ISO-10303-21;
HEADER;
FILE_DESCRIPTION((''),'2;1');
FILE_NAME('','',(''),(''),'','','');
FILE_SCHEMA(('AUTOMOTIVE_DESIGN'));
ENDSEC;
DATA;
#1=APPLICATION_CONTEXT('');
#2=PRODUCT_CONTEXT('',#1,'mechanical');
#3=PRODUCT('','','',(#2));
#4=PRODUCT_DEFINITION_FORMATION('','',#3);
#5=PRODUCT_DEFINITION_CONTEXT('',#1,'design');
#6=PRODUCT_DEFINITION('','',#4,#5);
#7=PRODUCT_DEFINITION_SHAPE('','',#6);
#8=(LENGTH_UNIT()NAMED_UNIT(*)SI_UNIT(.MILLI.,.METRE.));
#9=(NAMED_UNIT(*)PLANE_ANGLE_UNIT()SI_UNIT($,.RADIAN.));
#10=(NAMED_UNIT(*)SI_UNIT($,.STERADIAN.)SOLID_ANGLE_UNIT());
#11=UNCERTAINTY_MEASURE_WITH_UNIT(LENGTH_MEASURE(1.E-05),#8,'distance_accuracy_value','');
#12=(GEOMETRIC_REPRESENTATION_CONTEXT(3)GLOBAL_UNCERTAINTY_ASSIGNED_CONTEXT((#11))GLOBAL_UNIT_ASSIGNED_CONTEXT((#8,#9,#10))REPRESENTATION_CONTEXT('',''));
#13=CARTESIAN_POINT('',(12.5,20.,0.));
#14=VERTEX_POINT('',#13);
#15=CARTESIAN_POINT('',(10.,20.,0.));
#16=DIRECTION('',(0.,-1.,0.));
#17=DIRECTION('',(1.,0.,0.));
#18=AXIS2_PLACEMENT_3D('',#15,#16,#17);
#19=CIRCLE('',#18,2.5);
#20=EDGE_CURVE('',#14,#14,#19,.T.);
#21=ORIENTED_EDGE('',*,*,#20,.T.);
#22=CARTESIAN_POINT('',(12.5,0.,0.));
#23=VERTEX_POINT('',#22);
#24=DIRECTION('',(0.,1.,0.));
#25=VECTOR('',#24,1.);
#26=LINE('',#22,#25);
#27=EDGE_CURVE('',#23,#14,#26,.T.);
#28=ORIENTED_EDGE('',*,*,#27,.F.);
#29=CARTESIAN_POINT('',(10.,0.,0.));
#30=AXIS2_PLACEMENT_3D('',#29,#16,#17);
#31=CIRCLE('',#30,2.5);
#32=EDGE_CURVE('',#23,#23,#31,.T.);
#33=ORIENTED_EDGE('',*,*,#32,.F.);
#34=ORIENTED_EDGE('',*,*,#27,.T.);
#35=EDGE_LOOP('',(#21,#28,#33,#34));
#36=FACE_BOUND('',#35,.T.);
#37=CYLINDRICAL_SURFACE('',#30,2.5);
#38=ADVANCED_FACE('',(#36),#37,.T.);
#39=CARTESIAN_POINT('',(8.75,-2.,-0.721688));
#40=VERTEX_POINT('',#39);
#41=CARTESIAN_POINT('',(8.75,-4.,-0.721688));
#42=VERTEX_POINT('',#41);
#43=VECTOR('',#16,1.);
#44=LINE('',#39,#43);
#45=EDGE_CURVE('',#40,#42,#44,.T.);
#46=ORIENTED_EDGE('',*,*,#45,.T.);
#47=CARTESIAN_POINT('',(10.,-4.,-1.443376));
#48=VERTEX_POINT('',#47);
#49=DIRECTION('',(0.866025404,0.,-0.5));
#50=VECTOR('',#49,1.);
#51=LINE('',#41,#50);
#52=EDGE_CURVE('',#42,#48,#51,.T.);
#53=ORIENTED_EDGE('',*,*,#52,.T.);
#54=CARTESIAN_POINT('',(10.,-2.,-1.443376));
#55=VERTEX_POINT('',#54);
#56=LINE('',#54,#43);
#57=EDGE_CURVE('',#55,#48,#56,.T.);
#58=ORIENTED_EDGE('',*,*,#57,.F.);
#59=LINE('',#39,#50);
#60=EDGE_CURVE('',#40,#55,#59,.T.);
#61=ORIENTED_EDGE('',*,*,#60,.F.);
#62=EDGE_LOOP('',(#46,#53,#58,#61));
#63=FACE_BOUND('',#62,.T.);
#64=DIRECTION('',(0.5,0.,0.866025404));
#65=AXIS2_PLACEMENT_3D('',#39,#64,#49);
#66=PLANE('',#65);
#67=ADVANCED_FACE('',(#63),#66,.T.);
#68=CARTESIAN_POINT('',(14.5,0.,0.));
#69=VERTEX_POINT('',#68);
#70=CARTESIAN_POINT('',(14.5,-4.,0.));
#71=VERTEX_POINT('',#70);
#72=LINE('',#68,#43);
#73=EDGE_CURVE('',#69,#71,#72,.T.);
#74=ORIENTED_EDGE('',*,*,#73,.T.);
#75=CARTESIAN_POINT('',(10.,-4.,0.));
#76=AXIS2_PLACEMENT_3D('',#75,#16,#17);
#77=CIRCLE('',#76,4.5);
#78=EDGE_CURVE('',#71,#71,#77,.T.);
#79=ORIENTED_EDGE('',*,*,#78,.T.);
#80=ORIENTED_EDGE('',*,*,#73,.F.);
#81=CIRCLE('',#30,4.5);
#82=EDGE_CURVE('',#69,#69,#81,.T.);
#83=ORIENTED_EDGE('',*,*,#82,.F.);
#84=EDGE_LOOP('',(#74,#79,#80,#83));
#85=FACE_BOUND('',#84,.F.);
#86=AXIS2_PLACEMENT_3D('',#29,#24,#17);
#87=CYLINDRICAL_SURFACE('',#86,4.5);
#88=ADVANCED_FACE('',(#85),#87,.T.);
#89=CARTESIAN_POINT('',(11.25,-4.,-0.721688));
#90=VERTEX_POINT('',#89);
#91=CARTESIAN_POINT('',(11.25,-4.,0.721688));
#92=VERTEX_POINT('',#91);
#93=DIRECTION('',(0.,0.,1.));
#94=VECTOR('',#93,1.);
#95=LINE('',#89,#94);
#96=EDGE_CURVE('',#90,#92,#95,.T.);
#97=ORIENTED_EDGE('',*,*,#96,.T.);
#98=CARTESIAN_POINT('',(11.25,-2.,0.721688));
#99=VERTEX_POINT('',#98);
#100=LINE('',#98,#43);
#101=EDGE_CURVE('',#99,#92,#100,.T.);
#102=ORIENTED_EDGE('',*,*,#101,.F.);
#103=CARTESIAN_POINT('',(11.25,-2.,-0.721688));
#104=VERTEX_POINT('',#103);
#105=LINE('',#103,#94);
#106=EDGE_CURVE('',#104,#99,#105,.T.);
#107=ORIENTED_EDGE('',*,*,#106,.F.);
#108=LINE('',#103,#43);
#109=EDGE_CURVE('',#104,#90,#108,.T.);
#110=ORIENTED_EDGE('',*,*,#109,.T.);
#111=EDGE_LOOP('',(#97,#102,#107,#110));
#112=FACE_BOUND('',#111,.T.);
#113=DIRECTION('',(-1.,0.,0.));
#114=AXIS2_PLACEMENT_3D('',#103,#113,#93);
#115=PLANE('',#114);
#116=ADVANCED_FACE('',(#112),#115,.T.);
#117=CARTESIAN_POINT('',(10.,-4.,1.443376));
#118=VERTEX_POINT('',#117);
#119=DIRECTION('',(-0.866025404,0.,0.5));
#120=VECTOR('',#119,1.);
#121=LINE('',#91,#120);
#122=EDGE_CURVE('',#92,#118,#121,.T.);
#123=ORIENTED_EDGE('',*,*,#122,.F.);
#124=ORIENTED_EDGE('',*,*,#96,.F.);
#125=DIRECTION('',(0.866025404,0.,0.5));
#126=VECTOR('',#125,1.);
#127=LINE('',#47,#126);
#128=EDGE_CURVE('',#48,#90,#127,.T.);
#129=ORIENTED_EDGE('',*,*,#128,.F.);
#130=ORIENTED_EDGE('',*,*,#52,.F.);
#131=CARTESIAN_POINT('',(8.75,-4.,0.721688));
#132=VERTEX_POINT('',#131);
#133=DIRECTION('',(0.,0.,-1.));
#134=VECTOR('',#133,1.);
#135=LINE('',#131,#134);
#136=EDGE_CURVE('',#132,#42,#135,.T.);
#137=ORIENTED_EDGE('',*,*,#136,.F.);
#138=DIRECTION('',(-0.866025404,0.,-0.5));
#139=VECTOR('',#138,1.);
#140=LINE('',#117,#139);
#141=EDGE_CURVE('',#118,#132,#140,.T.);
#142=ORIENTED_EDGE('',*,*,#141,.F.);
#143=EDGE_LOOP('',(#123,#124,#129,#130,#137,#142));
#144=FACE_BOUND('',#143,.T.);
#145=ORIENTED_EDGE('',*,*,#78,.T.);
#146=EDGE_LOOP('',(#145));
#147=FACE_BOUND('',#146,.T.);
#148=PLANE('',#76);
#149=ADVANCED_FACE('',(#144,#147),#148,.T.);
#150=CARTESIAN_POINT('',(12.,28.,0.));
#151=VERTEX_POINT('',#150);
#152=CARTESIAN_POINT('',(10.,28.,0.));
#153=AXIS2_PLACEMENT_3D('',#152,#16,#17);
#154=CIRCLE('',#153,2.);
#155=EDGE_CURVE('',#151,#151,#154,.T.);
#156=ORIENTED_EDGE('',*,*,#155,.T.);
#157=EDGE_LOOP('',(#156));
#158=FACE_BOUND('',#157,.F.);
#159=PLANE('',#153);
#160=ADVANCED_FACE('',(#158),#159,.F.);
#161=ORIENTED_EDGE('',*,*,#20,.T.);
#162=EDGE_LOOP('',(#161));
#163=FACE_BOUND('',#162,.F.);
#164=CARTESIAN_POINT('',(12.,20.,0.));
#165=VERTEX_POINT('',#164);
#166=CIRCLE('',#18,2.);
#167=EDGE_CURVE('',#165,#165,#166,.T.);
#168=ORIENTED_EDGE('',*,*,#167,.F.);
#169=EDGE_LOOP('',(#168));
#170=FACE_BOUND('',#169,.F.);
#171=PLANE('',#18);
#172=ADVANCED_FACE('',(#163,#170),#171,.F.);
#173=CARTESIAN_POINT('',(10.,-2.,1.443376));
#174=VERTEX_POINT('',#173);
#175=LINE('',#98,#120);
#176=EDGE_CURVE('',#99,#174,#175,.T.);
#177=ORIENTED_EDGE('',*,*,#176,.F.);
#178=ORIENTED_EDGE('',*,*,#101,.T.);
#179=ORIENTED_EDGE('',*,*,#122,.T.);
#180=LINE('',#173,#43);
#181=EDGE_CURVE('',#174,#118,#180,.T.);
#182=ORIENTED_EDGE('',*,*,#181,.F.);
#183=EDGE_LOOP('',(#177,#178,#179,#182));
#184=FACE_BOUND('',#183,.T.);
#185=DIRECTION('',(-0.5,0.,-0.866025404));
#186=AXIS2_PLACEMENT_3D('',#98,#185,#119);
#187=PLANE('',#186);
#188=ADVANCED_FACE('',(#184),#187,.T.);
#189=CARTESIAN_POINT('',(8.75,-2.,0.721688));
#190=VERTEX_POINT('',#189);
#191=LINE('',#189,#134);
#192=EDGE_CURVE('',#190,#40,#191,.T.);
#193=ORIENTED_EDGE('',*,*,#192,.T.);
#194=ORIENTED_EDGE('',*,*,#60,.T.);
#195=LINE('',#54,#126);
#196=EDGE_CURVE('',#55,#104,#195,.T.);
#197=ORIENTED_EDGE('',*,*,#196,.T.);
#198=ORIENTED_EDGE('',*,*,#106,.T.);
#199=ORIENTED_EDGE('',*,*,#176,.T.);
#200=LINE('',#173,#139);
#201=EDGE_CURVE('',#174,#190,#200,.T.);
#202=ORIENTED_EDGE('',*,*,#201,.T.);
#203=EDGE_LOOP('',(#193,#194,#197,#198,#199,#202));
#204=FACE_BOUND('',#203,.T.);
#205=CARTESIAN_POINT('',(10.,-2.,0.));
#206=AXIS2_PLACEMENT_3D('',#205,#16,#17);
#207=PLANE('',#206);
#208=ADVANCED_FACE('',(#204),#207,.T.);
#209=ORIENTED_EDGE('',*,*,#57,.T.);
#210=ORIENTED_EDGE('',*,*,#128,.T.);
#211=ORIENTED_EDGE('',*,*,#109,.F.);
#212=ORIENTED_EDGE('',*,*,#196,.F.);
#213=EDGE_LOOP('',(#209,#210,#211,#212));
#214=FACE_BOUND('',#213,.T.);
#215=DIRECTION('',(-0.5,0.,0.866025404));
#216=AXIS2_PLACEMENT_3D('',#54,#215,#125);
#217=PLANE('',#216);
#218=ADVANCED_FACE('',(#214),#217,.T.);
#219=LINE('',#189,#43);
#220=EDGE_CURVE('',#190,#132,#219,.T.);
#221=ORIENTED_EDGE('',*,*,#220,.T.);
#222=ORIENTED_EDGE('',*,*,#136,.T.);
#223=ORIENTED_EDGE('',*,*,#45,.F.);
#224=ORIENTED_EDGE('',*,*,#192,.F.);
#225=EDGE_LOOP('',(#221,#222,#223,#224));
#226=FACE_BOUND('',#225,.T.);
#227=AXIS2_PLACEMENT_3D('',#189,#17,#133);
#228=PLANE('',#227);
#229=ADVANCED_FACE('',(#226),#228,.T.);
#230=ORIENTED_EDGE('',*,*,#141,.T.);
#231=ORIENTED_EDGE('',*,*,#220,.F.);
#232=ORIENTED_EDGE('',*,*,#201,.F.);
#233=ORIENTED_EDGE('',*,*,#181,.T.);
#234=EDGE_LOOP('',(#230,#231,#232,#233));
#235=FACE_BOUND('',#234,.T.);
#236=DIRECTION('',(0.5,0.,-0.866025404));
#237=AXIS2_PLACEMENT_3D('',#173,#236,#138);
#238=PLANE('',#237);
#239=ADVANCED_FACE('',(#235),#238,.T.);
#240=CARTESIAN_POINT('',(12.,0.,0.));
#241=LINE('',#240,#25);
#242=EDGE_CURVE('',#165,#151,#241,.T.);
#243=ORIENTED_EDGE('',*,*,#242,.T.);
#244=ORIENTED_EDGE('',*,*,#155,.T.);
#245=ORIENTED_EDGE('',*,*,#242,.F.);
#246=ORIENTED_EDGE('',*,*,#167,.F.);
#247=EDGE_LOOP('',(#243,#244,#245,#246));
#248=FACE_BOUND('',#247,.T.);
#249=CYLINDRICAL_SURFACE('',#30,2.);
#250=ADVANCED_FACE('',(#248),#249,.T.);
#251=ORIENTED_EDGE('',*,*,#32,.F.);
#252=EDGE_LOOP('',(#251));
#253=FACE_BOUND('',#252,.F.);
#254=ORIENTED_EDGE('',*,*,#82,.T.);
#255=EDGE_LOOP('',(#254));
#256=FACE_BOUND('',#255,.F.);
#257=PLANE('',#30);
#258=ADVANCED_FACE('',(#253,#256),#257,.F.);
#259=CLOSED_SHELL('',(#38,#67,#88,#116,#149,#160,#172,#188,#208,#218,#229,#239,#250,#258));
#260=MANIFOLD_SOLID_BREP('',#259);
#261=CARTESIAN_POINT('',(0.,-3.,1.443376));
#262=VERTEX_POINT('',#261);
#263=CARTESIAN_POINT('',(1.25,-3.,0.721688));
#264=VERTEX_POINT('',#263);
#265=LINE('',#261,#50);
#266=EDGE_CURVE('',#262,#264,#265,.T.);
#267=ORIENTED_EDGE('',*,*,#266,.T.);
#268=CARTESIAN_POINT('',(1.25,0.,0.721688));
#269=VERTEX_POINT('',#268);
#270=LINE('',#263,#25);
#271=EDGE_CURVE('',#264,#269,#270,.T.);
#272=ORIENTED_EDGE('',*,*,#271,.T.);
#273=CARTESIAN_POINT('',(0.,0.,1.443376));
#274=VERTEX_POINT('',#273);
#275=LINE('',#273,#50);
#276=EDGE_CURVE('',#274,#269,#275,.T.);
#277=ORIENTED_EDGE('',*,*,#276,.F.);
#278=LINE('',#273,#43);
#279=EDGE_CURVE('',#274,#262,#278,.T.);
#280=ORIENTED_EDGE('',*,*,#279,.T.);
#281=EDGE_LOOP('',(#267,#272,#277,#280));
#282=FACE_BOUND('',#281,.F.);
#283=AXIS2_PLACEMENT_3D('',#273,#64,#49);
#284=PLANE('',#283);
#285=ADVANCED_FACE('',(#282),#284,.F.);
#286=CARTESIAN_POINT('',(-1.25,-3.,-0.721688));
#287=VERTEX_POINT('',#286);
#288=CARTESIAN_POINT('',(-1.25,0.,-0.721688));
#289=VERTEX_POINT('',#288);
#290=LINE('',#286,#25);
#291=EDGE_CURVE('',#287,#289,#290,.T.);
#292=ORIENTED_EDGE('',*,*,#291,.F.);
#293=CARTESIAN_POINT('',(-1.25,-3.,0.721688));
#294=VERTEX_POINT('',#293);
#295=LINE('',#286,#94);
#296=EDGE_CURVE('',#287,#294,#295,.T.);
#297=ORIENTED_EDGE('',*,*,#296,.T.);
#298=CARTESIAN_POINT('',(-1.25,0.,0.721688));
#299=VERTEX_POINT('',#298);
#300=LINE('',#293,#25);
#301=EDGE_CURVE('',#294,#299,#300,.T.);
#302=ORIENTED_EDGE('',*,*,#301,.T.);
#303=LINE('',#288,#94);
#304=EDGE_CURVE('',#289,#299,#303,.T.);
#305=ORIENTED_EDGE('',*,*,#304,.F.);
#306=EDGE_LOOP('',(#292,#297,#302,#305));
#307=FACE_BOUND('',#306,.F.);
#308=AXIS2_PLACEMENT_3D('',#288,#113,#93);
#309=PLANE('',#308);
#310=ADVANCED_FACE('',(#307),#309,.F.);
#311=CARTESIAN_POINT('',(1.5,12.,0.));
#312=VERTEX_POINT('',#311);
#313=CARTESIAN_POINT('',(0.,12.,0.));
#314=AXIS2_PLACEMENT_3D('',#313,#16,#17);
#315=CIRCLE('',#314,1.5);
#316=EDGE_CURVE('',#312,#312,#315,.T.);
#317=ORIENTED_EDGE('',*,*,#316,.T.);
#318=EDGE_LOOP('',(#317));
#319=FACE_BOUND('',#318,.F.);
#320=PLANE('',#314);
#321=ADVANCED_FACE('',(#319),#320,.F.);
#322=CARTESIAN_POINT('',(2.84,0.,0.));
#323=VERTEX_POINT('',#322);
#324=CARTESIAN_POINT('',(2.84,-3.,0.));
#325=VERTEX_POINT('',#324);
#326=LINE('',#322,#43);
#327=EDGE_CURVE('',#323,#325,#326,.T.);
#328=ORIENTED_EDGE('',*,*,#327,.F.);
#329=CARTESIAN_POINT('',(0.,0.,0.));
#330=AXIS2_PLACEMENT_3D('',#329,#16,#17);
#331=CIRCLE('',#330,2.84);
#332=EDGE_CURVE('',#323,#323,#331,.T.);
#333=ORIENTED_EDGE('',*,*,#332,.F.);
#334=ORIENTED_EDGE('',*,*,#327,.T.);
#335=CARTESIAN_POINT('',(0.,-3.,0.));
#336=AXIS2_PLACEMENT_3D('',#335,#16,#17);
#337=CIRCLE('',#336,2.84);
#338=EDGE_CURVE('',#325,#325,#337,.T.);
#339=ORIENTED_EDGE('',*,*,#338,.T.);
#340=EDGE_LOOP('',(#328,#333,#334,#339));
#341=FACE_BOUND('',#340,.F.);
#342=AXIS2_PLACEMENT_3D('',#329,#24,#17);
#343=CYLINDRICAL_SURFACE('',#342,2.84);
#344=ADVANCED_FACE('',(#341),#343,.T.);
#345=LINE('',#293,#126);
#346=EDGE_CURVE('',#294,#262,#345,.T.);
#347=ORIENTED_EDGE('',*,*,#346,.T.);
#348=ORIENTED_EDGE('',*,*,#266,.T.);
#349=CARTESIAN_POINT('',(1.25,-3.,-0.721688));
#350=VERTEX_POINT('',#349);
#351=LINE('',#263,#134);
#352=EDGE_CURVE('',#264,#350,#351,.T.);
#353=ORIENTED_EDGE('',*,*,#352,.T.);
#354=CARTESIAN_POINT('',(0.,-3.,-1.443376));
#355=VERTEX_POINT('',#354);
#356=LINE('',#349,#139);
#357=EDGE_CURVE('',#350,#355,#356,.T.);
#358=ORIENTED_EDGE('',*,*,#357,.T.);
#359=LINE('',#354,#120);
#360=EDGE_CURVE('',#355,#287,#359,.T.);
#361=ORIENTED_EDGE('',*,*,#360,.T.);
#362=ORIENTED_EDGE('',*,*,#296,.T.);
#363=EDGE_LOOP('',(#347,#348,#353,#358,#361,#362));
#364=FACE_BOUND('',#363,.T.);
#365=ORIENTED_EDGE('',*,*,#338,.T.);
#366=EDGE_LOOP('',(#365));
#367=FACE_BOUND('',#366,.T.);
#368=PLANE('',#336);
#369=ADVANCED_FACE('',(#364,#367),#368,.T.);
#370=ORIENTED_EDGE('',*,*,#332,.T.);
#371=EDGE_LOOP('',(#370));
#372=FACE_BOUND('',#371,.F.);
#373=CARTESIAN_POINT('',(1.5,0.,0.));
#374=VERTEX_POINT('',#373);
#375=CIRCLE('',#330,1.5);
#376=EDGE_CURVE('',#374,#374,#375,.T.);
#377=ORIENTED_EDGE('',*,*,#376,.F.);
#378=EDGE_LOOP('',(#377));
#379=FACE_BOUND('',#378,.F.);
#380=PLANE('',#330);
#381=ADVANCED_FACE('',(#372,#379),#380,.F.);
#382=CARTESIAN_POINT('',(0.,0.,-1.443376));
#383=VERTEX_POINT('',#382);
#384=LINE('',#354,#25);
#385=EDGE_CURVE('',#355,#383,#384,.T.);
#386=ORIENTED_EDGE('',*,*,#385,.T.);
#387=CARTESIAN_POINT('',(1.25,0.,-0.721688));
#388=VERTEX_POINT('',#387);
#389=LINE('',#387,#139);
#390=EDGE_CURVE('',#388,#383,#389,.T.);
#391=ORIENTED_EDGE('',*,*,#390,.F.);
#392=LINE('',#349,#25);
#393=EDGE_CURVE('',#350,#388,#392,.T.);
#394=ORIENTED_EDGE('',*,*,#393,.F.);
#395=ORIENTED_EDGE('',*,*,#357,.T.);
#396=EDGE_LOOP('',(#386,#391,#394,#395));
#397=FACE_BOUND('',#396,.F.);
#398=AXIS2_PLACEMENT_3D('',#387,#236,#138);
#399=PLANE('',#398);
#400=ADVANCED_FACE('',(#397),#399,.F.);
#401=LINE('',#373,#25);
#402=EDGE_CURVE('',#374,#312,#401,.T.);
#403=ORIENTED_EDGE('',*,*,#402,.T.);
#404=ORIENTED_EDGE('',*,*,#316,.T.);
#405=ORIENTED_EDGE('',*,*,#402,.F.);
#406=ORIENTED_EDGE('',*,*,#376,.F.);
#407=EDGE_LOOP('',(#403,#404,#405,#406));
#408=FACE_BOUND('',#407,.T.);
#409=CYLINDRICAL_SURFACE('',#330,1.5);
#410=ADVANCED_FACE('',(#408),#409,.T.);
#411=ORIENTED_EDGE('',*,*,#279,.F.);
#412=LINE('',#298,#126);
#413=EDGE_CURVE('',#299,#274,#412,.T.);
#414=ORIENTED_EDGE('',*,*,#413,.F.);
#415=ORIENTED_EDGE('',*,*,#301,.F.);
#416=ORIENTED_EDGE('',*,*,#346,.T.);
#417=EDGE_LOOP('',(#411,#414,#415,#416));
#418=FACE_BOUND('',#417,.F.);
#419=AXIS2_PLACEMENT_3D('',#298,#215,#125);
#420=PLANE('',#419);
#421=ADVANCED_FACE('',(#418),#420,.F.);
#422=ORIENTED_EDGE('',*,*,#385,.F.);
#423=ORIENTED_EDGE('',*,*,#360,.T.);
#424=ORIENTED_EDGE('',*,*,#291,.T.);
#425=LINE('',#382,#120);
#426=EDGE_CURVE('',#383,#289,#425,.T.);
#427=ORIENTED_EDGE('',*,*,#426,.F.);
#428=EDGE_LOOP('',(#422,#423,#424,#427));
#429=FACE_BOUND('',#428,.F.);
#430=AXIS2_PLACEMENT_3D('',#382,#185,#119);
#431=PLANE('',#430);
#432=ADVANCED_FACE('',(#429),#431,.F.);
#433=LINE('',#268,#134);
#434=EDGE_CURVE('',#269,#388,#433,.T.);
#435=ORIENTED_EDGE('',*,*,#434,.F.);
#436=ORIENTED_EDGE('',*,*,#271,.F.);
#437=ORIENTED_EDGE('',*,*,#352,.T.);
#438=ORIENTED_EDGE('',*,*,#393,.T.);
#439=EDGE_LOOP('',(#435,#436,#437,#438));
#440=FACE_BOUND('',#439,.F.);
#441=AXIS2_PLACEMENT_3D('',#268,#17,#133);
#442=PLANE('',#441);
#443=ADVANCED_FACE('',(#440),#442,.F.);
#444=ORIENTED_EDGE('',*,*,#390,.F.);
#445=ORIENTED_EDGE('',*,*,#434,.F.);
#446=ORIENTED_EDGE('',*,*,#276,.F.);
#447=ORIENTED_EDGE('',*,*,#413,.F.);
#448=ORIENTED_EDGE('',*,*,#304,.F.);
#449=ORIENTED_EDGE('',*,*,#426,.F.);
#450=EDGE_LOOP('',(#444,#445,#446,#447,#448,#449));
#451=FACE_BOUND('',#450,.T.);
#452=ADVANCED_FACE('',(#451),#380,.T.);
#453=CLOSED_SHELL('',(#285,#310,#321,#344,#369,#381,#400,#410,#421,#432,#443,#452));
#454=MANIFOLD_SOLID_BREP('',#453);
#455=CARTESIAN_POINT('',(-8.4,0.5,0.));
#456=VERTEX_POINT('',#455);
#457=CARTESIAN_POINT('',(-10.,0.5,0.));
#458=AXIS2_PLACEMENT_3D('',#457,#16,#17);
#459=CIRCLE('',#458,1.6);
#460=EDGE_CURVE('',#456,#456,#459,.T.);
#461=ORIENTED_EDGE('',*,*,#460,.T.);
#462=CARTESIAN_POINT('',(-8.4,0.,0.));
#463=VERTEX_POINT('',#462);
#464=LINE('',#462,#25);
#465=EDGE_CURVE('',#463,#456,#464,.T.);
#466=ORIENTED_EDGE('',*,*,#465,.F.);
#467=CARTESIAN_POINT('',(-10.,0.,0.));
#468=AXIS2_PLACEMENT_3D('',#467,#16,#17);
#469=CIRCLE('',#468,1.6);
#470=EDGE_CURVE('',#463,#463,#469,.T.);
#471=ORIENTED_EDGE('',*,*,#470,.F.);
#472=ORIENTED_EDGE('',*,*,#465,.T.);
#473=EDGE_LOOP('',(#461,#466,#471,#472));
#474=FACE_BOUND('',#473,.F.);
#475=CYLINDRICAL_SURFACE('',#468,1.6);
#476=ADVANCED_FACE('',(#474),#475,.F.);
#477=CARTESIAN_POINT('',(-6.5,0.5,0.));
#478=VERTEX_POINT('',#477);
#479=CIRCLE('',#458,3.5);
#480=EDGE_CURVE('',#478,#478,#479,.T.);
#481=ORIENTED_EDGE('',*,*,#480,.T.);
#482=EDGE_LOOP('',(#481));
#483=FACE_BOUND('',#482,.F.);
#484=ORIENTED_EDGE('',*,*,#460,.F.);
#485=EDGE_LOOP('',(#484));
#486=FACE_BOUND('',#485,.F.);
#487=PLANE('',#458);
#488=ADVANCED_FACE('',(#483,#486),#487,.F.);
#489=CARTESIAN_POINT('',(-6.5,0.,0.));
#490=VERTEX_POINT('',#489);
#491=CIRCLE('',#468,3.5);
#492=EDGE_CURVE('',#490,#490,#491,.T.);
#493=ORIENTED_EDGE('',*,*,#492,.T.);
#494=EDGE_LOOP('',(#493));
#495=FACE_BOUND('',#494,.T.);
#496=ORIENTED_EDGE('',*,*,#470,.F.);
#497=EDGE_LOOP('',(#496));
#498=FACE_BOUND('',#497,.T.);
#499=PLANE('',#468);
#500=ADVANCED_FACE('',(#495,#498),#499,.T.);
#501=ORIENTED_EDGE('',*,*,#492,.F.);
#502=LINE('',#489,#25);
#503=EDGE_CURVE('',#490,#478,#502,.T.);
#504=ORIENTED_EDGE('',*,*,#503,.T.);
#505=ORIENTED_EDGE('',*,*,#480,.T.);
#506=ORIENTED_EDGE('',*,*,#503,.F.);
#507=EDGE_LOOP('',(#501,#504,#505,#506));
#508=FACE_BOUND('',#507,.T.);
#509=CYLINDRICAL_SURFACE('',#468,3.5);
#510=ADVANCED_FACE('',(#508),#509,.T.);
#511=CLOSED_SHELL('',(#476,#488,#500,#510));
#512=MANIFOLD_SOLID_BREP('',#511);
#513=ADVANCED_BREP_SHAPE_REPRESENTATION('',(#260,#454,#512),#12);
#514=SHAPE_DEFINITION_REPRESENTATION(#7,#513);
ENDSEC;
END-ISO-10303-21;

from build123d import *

# Parameters (mm, degrees)
F0_R      = 1.5
F1_DEPTH  = 12
F0_R_2    = 2.84
F2_DEPTH  = 3
F3_START  = 1.9
F3_DEPTH  = 23.1
F4_R      = 4.5
F4_R_2    = 2.5
F4_R_3    = 2
F5_DEPTH  = 4
F6_DEPTH  = 20
F7_DEPTH  = 28
F8_R      = 3.5
F8_R_2    = 1.6
F9_DEPTH  = 0.5
F10_START = 2
F10_DEPTH = 2


with BuildPart() as f1:
    # F0 (on Front) → F1 (new body)
    with BuildSketch(Plane.XZ):
        Circle(F0_R)
        Polygon((0, 1.443375673), (1.25, 0.7216878365), (1.25, -0.7216878365), (0, -1.443375673), (-1.25, -0.7216878365), (-1.25, 0.7216878365), align=None, mode=Mode.SUBTRACT)
        Polygon((1.25, -0.7216878365), (1.25, 0.7216878365), (0, 1.443375673), (-1.25, 0.7216878365), (-1.25, -0.7216878365), (0, -1.443375673), align=None)
    extrude(amount=-F1_DEPTH)

    # F0 (on Front) → F2 (join)
    with BuildSketch(Plane.XZ):
        Circle(F0_R_2)
        Circle(F0_R, mode=Mode.SUBTRACT)
        Circle(F0_R)
        Polygon((0, 1.443375673), (1.25, 0.7216878365), (1.25, -0.7216878365), (0, -1.443375673), (-1.25, -0.7216878365), (-1.25, 0.7216878365), align=None, mode=Mode.SUBTRACT)
    extrude(amount=F2_DEPTH)

    # F0 (on Front) → F3 (cut)
    with BuildSketch(Plane.XZ.offset(F3_START)):
        Polygon((1.25, -0.7216878365), (1.25, 0.7216878365), (0, 1.443375673), (-1.25, 0.7216878365), (-1.25, -0.7216878365), (0, -1.443375673), align=None)
    extrude(amount=F3_DEPTH, mode=Mode.SUBTRACT)


with BuildPart() as f5:
    # F4 (on Front) → F5 (new body)
    with BuildSketch(Plane.XZ):
        with Locations((10, 0)):
            Circle(F4_R)
        with Locations((10, 0)):
            Circle(F4_R_2, mode=Mode.SUBTRACT)
        with Locations((10, 0)):
            Circle(F4_R_2)
        with Locations((10, 0)):
            Circle(F4_R_3, mode=Mode.SUBTRACT)
        with Locations((10, 0)):
            Circle(F4_R_3)
        Polygon((10, 1.443375673), (11.25, 0.7216878365), (11.25, -0.7216878365), (10, -1.443375673), (8.75, -0.7216878365), (8.75, 0.7216878365), align=None, mode=Mode.SUBTRACT)
        Polygon((11.25, -0.7216878365), (11.25, 0.7216878365), (10, 1.443375673), (8.75, 0.7216878365), (8.75, -0.7216878365), (10, -1.443375673), align=None)
    extrude(amount=F5_DEPTH)

    # F4 (on Front) → F6 (join)
    with BuildSketch(Plane.XZ):
        with Locations((10, 0)):
            Circle(F4_R_2)
        with Locations((10, 0)):
            Circle(F4_R_3, mode=Mode.SUBTRACT)
        with Locations((10, 0)):
            Circle(F4_R_3)
        Polygon((10, 1.443375673), (11.25, 0.7216878365), (11.25, -0.7216878365), (10, -1.443375673), (8.75, -0.7216878365), (8.75, 0.7216878365), align=None, mode=Mode.SUBTRACT)
        Polygon((11.25, -0.7216878365), (11.25, 0.7216878365), (10, 1.443375673), (8.75, 0.7216878365), (8.75, -0.7216878365), (10, -1.443375673), align=None)
    extrude(amount=-F6_DEPTH)

    # F4 (on Front) → F7 (join)
    with BuildSketch(Plane.XZ):
        with Locations((10, 0)):
            Circle(F4_R_3)
        Polygon((10, 1.443375673), (11.25, 0.7216878365), (11.25, -0.7216878365), (10, -1.443375673), (8.75, -0.7216878365), (8.75, 0.7216878365), align=None, mode=Mode.SUBTRACT)
        Polygon((11.25, -0.7216878365), (11.25, 0.7216878365), (10, 1.443375673), (8.75, 0.7216878365), (8.75, -0.7216878365), (10, -1.443375673), align=None)
    extrude(amount=-F7_DEPTH)

    # F4 (on Front) → F10 (cut)
    with BuildSketch(Plane.XZ.offset(F10_START)):
        Polygon((11.25, -0.7216878365), (11.25, 0.7216878365), (10, 1.443375673), (8.75, 0.7216878365), (8.75, -0.7216878365), (10, -1.443375673), align=None)
    extrude(amount=F10_DEPTH, mode=Mode.SUBTRACT)


with BuildPart() as f9:
    # F8 (on Front) → F9 (new body)
    with BuildSketch(Plane.XZ):
        with Locations((-10, 0)):
            Circle(F8_R)
        with Locations((-10, 0)):
            Circle(F8_R_2, mode=Mode.SUBTRACT)
    extrude(amount=-F9_DEPTH)


solid = Compound([f1.part, f5.part, f9.part])
